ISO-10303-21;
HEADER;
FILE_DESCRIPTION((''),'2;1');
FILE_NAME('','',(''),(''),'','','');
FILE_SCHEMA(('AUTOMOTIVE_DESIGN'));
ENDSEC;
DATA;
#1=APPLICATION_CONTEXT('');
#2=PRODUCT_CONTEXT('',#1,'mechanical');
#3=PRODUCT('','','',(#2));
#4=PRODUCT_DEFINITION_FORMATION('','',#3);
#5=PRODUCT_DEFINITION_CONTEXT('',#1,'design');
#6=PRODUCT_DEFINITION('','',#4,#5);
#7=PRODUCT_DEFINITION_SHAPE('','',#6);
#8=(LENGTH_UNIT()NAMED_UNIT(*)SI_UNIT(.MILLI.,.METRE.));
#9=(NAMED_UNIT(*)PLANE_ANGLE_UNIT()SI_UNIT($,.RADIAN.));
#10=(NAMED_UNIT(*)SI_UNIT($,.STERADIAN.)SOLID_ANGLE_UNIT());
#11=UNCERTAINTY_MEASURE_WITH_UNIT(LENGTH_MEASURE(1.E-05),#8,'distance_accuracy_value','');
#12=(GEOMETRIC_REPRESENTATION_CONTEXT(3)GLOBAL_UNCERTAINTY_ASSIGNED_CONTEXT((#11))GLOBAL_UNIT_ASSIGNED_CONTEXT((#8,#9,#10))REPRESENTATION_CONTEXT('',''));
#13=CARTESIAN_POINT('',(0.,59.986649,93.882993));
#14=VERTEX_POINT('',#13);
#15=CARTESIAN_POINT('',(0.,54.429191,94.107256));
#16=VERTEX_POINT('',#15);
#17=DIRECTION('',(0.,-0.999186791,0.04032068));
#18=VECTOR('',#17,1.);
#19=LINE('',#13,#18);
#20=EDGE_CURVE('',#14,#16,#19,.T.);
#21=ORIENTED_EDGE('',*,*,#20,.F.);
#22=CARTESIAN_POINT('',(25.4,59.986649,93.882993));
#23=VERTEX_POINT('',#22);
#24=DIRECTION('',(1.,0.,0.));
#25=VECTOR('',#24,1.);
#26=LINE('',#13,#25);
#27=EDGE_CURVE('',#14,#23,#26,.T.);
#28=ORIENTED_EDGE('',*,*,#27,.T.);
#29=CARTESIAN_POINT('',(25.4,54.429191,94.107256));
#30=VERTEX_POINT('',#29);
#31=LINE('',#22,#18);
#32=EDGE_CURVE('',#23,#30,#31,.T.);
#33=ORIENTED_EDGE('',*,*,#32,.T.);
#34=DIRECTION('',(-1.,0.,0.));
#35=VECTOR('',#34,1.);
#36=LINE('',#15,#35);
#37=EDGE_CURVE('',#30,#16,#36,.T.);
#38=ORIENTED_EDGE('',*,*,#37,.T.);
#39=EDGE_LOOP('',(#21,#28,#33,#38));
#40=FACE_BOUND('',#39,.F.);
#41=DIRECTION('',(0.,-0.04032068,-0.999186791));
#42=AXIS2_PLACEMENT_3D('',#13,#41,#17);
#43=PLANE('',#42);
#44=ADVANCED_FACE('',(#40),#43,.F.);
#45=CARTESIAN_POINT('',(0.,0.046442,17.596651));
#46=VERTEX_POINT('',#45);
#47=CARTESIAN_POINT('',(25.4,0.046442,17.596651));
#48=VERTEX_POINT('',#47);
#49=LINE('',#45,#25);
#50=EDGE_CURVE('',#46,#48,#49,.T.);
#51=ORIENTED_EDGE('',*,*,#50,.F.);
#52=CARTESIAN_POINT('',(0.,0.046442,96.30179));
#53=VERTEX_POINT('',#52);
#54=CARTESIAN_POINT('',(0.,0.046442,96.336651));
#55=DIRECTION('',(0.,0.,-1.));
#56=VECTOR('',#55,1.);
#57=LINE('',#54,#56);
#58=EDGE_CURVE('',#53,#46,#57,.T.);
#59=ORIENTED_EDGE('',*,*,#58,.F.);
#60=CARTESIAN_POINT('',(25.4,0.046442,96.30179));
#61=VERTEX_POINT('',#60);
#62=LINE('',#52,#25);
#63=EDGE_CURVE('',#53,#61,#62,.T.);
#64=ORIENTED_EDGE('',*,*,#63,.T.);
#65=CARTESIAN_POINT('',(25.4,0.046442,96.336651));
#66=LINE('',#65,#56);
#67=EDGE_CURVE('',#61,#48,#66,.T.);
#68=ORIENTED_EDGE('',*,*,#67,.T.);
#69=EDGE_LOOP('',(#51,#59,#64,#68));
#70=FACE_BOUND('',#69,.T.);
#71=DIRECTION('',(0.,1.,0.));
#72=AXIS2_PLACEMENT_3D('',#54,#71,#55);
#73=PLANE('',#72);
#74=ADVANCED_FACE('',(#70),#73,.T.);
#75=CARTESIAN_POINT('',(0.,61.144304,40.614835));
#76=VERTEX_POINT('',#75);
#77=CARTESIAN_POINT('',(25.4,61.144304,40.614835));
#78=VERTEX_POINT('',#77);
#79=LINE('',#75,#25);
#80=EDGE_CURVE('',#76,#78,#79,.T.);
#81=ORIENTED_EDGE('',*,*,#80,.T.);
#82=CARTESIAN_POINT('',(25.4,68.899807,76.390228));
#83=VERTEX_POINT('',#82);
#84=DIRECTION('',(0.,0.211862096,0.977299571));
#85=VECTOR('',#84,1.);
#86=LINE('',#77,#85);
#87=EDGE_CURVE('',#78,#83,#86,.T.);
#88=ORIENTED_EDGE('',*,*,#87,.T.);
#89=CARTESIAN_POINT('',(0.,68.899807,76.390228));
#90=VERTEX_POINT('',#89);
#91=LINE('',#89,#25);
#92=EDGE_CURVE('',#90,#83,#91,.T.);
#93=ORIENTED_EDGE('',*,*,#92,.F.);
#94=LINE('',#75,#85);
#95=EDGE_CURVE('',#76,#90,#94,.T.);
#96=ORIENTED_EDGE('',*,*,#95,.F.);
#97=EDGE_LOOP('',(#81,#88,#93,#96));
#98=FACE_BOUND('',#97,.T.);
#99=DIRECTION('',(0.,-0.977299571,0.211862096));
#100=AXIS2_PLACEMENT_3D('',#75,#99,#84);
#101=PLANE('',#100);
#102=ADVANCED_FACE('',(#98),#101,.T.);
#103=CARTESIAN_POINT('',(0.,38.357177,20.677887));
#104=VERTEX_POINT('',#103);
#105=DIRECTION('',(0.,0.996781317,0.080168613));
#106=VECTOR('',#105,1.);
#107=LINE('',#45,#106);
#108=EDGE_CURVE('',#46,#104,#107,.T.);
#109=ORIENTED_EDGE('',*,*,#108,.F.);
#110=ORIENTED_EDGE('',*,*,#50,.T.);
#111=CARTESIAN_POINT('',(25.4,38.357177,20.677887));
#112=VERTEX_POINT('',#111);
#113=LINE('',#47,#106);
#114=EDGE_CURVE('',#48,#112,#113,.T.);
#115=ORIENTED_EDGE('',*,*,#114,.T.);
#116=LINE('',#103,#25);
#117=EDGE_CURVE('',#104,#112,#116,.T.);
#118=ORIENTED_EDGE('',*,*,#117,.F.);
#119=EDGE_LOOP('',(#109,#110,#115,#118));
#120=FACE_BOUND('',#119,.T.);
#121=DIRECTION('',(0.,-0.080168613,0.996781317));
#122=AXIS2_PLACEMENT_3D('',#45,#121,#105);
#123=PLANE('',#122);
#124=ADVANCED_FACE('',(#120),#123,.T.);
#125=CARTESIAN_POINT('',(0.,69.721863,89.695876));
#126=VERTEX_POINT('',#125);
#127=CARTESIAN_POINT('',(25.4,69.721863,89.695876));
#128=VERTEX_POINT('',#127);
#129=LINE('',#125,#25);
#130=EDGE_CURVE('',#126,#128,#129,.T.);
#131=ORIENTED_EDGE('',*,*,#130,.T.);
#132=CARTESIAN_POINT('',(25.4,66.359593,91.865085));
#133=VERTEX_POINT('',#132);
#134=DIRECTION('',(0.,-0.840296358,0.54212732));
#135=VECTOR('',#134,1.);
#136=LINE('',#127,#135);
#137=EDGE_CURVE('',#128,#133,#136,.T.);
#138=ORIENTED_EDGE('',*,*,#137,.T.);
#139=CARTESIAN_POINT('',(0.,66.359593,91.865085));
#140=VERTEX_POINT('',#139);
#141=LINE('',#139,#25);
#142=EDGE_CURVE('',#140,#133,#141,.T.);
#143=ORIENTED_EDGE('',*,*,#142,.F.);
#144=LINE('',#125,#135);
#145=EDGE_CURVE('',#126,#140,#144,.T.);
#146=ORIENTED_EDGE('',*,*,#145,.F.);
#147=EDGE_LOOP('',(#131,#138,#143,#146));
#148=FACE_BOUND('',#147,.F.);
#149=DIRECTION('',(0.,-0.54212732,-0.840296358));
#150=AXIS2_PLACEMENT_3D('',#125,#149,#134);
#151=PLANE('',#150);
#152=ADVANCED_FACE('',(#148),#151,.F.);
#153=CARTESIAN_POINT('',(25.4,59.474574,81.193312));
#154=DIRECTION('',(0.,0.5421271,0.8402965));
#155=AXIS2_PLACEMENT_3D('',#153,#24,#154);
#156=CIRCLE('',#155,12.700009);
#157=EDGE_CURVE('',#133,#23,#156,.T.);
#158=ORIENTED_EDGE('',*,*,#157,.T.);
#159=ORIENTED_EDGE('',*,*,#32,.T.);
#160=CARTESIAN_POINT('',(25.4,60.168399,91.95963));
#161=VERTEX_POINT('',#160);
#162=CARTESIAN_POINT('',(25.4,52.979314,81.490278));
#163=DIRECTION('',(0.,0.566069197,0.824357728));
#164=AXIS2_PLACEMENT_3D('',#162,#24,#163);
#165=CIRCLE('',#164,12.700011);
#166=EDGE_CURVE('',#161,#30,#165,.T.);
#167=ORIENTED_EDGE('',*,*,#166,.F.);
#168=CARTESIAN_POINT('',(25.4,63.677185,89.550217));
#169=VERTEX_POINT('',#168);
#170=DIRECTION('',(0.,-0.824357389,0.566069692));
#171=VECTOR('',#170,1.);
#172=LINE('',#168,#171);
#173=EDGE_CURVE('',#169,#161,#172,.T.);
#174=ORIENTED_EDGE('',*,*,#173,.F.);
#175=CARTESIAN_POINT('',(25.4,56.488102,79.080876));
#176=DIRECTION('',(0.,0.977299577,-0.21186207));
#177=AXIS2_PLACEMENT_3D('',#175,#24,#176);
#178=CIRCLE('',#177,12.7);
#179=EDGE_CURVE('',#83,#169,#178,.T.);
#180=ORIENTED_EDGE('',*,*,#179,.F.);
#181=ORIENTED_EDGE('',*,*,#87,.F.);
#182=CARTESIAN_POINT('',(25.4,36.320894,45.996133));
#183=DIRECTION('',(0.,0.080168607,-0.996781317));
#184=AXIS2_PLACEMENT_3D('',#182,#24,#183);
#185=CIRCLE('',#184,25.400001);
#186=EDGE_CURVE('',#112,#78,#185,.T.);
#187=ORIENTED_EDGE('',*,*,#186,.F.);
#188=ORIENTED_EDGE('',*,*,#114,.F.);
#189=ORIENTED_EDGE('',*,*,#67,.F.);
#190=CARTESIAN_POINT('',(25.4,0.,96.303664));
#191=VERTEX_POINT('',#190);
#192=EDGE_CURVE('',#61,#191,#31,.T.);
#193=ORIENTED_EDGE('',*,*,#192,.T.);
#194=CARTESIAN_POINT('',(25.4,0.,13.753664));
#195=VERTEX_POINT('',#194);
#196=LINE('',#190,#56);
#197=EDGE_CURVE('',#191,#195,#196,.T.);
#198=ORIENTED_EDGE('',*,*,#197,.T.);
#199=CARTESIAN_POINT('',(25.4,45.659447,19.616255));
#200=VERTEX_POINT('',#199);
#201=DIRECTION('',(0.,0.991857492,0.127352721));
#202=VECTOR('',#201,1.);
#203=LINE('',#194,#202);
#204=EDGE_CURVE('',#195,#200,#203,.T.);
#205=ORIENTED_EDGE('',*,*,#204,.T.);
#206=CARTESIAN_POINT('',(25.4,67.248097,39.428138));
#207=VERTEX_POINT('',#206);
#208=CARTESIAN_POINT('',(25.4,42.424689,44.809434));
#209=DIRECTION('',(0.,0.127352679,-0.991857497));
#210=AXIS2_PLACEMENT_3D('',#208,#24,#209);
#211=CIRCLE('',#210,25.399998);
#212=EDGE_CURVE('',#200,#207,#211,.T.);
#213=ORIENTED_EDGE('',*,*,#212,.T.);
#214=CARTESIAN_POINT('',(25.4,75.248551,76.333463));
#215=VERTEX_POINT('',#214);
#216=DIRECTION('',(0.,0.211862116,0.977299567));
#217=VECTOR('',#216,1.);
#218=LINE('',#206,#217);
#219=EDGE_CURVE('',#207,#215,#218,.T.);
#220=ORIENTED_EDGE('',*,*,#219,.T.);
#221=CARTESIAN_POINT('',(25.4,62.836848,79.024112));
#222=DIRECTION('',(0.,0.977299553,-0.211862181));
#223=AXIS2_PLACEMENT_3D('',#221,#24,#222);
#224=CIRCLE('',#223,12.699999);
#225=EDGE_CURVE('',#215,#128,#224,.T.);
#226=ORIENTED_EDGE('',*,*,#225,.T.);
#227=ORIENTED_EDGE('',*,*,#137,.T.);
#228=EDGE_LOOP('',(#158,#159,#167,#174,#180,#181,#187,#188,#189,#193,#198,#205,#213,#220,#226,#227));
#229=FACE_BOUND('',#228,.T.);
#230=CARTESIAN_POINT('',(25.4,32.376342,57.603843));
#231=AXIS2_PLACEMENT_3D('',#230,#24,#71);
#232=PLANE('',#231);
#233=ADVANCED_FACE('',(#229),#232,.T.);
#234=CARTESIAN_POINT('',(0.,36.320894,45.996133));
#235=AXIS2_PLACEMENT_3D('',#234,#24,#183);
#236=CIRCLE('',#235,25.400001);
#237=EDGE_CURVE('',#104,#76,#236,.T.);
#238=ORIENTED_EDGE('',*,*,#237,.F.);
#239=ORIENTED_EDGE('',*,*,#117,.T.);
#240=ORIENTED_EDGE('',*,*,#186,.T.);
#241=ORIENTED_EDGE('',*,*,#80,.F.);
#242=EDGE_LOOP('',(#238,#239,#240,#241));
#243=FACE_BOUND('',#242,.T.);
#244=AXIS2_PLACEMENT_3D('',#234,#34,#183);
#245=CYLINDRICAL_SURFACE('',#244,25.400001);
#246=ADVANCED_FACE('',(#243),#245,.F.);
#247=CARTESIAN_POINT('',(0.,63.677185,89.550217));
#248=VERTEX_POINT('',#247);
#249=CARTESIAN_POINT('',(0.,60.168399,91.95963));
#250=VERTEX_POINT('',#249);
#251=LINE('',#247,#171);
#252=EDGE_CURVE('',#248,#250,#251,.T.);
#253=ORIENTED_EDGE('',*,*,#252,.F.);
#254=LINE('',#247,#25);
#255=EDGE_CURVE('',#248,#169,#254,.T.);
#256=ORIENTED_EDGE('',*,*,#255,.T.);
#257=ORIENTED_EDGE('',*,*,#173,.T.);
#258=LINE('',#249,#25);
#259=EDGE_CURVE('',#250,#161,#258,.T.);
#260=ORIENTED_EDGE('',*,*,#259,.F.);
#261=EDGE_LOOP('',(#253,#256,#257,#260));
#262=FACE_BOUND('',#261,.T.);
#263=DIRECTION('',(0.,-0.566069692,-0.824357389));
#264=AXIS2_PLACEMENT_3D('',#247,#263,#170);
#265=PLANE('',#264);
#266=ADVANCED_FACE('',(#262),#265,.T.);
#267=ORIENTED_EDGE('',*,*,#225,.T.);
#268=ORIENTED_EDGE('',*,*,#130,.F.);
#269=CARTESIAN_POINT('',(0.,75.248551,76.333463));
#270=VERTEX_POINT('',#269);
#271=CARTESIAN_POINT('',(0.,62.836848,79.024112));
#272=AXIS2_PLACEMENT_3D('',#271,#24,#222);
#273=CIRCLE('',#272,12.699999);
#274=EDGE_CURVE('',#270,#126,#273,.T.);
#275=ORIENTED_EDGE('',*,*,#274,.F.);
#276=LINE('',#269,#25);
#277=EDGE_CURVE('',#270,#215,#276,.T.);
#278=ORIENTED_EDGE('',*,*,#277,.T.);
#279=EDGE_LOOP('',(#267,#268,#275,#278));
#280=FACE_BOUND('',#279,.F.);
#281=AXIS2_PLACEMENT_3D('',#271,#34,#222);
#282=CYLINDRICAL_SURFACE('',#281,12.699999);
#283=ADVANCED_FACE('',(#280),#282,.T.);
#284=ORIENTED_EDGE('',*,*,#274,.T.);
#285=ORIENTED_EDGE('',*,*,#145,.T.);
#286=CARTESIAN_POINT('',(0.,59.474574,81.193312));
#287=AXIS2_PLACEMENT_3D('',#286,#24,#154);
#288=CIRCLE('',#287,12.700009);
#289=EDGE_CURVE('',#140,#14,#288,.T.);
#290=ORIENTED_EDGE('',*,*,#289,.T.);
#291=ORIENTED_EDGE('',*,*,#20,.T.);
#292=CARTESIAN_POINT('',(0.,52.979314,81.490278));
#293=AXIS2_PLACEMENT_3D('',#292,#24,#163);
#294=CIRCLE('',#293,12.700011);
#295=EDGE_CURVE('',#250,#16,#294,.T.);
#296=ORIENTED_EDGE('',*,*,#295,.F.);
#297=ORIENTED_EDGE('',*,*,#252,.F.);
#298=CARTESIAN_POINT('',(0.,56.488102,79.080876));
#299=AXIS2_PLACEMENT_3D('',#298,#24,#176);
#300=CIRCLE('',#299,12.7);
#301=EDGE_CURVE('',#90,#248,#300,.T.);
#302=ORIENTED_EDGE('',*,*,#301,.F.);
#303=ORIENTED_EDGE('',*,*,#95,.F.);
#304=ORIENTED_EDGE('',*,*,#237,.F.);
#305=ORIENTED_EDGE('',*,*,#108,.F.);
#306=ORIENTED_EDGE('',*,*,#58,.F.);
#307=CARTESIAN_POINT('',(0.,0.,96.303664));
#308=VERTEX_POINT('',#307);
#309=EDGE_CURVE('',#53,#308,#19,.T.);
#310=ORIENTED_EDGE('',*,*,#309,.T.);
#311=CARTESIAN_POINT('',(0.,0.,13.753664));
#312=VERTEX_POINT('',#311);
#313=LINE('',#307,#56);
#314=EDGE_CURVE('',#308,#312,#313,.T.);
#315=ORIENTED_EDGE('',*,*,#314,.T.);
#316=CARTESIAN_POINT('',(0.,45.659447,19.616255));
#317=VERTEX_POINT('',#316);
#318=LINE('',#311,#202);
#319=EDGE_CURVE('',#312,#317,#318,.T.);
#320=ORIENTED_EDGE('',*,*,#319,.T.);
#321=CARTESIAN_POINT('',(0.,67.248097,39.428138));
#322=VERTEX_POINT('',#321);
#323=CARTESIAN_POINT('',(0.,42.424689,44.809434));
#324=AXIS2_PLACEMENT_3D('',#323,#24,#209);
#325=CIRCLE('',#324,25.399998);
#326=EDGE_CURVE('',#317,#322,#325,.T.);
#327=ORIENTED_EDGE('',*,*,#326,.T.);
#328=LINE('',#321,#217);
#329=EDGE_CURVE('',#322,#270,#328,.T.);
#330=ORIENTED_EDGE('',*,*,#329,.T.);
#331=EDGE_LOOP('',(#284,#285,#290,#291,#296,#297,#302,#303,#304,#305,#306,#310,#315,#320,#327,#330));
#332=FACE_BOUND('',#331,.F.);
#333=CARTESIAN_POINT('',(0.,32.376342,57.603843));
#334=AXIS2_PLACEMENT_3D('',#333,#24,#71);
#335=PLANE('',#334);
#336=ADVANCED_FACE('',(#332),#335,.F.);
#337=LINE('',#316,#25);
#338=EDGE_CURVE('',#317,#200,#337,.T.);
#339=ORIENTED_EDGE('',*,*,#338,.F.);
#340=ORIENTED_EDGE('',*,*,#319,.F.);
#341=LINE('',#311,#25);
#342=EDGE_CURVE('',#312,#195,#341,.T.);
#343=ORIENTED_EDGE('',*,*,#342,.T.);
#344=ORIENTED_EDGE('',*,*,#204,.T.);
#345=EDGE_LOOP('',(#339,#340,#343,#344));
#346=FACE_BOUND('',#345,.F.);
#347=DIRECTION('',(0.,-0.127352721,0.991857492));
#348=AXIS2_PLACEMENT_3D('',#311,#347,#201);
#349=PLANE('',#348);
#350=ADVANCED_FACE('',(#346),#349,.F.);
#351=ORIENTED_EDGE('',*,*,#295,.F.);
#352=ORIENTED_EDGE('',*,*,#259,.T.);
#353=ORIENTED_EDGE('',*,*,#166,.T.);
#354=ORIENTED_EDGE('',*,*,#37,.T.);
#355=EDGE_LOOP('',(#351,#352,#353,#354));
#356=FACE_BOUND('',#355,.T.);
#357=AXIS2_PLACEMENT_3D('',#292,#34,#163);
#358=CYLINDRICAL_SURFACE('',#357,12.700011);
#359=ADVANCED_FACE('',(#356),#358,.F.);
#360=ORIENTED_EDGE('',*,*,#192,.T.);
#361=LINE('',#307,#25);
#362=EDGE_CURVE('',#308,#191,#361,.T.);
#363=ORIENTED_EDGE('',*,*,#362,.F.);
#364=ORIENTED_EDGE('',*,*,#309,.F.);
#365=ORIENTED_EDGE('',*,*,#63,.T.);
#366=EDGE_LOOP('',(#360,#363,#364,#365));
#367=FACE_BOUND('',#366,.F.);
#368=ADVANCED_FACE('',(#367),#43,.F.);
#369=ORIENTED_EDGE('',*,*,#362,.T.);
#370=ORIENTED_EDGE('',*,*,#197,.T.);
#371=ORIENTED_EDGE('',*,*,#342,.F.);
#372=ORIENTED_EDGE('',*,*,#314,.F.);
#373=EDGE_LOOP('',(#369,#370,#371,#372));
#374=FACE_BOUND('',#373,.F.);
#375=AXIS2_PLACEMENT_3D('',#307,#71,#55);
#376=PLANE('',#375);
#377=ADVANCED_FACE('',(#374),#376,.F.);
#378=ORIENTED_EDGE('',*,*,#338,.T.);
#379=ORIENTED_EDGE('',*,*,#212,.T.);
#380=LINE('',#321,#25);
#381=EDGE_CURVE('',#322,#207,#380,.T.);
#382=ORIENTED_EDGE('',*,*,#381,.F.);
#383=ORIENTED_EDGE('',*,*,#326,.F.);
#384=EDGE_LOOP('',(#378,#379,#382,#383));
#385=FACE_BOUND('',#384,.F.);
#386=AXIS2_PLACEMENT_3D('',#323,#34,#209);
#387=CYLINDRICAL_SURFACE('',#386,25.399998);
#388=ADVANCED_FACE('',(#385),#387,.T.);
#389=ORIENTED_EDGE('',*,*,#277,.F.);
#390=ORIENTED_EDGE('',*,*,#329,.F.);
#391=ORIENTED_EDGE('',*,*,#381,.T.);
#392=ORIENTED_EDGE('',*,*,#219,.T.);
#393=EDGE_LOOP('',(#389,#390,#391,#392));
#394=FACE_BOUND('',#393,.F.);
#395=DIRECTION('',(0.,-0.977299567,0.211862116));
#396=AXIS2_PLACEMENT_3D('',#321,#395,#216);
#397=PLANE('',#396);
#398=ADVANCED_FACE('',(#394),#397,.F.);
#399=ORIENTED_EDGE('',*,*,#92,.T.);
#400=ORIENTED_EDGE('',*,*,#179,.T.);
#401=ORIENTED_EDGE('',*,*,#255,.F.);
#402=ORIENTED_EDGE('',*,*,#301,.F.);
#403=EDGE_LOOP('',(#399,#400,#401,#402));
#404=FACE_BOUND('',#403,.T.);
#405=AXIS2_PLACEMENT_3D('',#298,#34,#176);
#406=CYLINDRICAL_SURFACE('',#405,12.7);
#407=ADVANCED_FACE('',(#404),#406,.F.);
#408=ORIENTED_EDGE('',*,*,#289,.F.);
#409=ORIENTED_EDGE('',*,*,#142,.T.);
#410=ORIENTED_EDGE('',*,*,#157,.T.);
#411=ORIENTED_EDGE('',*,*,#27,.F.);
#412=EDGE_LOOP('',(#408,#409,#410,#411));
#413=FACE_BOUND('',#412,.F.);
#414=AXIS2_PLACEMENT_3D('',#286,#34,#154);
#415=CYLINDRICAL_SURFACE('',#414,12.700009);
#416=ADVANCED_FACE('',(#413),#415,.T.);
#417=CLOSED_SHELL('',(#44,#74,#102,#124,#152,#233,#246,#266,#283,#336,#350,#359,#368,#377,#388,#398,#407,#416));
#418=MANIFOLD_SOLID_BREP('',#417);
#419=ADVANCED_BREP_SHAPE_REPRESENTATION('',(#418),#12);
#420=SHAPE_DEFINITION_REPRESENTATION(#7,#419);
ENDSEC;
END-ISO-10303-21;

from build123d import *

# Parameters (mm, degrees)
F1_DEPTH = 25.4
F3_DEPTH = 25.4


with BuildPart() as f1:
    # F0 (on Right) → F1 (new body)
    with BuildSketch(Plane.YZ):
        with BuildLine():
            Line((59.986649, 93.882993), (0, 96.303664))
            Line((0, 96.303664), (0, 13.753664))
            Line((0, 13.753664), (45.659447, 19.616255))
            ThreePointArc((45.659447, 19.616255), (59.598589, 26.095346), (67.248097, 39.428138))
            Line((67.248097, 39.428138), (75.248551, 76.333463))
            ThreePointArc((75.248551, 76.333463), (74.572663, 83.87804), (69.721863, 89.695876))
            Line((69.721863, 89.695876), (66.359593, 91.865085))
            ThreePointArc((66.359593, 91.865085), (63.308272, 93.300871), (59.986649, 93.882993))
        make_face()
    extrude(amount=F1_DEPTH)

    # F2 (on Right) → F3 (cut)
    with BuildSketch(Plane.YZ):
        with BuildLine():
            Line((53.491388, 94.179961), (0.046442, 96.336651))
            Line((0.046442, 96.336651), (0.046442, 17.596651))
            Line((0.046442, 17.596651), (38.357177, 20.677887))
            ThreePointArc((38.357177, 20.677887), (53.046062, 26.879941), (61.144304, 40.614835))
            Line((61.144304, 40.614835), (68.899807, 76.390228))
            ThreePointArc((68.899807, 76.390228), (68.29251, 83.765528), (63.677185, 89.550217))
            Line((63.677185, 89.550217), (60.168399, 91.95963))
            ThreePointArc((60.168399, 91.95963), (56.986736, 93.541454), (53.491388, 94.179961))
        make_face()
    extrude(amount=F3_DEPTH, mode=Mode.SUBTRACT)


solid = f1.part
